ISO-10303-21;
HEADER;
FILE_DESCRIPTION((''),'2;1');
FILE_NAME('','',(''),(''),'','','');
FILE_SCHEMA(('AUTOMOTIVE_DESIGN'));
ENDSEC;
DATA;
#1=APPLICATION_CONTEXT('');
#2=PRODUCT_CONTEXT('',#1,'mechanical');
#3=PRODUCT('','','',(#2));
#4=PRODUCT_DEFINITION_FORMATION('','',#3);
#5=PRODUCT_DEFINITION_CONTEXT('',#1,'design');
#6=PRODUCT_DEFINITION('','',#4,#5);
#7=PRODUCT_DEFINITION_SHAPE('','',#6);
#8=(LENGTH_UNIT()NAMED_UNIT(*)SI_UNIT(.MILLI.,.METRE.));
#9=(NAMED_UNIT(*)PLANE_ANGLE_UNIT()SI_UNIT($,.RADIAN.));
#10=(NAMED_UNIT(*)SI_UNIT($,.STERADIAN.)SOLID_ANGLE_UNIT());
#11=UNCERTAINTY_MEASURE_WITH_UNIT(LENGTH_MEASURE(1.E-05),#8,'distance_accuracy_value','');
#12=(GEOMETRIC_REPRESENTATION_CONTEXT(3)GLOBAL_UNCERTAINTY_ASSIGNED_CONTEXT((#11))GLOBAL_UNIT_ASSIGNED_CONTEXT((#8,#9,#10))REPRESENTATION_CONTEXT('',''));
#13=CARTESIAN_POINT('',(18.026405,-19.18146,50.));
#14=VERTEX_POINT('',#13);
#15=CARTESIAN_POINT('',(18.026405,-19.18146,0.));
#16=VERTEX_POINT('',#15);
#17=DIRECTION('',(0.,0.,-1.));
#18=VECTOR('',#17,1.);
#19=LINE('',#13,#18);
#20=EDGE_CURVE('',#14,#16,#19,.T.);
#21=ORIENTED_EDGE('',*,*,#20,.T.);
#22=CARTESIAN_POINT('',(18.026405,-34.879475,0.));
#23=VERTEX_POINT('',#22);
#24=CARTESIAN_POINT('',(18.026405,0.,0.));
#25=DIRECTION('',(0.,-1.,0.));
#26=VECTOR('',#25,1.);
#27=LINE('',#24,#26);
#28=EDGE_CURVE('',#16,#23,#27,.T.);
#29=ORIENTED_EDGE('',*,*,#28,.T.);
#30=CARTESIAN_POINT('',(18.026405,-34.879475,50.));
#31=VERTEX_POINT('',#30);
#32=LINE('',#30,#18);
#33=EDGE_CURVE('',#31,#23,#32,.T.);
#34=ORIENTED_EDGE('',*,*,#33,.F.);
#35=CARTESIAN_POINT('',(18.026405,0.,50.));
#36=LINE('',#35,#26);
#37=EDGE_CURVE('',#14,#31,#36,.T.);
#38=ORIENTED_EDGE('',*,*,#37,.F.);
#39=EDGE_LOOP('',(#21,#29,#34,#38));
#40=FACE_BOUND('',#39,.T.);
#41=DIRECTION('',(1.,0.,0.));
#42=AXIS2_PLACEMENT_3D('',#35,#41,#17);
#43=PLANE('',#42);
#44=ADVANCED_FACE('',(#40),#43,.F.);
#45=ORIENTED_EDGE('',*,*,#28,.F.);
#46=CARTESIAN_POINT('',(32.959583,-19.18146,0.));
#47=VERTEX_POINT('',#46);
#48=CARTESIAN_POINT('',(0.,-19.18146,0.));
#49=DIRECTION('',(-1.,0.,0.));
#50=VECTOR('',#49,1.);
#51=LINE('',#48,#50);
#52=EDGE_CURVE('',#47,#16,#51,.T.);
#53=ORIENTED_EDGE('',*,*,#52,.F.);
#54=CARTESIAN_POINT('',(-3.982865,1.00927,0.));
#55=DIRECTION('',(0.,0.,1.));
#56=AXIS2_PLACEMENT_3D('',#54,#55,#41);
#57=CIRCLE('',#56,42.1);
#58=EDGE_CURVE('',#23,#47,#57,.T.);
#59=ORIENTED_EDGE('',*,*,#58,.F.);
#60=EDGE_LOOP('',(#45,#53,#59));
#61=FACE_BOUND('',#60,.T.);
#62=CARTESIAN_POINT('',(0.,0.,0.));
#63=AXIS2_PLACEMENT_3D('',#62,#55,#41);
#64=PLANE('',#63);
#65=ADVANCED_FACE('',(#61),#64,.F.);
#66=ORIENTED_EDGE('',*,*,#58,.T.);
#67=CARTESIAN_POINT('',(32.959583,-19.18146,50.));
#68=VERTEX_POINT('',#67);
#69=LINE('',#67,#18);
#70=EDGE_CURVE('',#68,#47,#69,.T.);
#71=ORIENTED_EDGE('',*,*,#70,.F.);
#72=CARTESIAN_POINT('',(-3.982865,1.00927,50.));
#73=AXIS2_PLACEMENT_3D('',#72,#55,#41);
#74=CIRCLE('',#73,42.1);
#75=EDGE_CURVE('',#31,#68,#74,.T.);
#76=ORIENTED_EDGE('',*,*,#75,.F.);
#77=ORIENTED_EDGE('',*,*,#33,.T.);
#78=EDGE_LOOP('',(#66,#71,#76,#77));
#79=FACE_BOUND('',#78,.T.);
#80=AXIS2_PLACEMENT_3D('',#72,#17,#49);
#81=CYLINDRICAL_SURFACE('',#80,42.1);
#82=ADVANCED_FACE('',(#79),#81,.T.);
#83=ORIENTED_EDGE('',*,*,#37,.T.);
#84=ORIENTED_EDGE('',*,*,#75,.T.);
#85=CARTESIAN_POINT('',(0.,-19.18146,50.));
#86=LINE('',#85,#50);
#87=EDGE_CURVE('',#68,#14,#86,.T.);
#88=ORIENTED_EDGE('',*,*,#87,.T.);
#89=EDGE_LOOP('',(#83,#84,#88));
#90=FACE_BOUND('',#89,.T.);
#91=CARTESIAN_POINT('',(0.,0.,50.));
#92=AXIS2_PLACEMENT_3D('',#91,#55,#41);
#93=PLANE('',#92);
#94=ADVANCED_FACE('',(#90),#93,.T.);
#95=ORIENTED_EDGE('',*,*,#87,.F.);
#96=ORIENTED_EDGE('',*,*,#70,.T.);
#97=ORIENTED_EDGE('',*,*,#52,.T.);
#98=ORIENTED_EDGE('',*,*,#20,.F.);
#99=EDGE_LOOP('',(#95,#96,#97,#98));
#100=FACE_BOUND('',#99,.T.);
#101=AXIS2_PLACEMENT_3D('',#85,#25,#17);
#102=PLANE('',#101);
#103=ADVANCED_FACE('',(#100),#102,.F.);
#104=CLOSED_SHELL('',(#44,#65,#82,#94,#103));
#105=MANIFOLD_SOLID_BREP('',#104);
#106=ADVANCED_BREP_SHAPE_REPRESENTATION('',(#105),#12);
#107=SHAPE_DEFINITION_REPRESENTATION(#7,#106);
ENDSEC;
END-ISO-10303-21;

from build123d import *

# Parameters (mm, degrees)
DODANIE_WYCI_GNI_CIE1_DEPTH = 50


with BuildPart() as part:
    # Szkic1 → Dodanie-wyciągnięcie1 (new body)
    with BuildSketch(Plane.XY):
        with BuildLine():
            Line((32.959582694, -19.181460051), (18.026405253, -19.181460051))
            Line((18.026405253, -19.181460051), (18.026405253, -34.879475269))
            ThreePointArc((18.026405253, -34.879475269), (26.520137856, -28.007567099), (32.959582694, -19.181460051))
        make_face()
    extrude(amount=DODANIE_WYCI_GNI_CIE1_DEPTH)


solid = part.part
